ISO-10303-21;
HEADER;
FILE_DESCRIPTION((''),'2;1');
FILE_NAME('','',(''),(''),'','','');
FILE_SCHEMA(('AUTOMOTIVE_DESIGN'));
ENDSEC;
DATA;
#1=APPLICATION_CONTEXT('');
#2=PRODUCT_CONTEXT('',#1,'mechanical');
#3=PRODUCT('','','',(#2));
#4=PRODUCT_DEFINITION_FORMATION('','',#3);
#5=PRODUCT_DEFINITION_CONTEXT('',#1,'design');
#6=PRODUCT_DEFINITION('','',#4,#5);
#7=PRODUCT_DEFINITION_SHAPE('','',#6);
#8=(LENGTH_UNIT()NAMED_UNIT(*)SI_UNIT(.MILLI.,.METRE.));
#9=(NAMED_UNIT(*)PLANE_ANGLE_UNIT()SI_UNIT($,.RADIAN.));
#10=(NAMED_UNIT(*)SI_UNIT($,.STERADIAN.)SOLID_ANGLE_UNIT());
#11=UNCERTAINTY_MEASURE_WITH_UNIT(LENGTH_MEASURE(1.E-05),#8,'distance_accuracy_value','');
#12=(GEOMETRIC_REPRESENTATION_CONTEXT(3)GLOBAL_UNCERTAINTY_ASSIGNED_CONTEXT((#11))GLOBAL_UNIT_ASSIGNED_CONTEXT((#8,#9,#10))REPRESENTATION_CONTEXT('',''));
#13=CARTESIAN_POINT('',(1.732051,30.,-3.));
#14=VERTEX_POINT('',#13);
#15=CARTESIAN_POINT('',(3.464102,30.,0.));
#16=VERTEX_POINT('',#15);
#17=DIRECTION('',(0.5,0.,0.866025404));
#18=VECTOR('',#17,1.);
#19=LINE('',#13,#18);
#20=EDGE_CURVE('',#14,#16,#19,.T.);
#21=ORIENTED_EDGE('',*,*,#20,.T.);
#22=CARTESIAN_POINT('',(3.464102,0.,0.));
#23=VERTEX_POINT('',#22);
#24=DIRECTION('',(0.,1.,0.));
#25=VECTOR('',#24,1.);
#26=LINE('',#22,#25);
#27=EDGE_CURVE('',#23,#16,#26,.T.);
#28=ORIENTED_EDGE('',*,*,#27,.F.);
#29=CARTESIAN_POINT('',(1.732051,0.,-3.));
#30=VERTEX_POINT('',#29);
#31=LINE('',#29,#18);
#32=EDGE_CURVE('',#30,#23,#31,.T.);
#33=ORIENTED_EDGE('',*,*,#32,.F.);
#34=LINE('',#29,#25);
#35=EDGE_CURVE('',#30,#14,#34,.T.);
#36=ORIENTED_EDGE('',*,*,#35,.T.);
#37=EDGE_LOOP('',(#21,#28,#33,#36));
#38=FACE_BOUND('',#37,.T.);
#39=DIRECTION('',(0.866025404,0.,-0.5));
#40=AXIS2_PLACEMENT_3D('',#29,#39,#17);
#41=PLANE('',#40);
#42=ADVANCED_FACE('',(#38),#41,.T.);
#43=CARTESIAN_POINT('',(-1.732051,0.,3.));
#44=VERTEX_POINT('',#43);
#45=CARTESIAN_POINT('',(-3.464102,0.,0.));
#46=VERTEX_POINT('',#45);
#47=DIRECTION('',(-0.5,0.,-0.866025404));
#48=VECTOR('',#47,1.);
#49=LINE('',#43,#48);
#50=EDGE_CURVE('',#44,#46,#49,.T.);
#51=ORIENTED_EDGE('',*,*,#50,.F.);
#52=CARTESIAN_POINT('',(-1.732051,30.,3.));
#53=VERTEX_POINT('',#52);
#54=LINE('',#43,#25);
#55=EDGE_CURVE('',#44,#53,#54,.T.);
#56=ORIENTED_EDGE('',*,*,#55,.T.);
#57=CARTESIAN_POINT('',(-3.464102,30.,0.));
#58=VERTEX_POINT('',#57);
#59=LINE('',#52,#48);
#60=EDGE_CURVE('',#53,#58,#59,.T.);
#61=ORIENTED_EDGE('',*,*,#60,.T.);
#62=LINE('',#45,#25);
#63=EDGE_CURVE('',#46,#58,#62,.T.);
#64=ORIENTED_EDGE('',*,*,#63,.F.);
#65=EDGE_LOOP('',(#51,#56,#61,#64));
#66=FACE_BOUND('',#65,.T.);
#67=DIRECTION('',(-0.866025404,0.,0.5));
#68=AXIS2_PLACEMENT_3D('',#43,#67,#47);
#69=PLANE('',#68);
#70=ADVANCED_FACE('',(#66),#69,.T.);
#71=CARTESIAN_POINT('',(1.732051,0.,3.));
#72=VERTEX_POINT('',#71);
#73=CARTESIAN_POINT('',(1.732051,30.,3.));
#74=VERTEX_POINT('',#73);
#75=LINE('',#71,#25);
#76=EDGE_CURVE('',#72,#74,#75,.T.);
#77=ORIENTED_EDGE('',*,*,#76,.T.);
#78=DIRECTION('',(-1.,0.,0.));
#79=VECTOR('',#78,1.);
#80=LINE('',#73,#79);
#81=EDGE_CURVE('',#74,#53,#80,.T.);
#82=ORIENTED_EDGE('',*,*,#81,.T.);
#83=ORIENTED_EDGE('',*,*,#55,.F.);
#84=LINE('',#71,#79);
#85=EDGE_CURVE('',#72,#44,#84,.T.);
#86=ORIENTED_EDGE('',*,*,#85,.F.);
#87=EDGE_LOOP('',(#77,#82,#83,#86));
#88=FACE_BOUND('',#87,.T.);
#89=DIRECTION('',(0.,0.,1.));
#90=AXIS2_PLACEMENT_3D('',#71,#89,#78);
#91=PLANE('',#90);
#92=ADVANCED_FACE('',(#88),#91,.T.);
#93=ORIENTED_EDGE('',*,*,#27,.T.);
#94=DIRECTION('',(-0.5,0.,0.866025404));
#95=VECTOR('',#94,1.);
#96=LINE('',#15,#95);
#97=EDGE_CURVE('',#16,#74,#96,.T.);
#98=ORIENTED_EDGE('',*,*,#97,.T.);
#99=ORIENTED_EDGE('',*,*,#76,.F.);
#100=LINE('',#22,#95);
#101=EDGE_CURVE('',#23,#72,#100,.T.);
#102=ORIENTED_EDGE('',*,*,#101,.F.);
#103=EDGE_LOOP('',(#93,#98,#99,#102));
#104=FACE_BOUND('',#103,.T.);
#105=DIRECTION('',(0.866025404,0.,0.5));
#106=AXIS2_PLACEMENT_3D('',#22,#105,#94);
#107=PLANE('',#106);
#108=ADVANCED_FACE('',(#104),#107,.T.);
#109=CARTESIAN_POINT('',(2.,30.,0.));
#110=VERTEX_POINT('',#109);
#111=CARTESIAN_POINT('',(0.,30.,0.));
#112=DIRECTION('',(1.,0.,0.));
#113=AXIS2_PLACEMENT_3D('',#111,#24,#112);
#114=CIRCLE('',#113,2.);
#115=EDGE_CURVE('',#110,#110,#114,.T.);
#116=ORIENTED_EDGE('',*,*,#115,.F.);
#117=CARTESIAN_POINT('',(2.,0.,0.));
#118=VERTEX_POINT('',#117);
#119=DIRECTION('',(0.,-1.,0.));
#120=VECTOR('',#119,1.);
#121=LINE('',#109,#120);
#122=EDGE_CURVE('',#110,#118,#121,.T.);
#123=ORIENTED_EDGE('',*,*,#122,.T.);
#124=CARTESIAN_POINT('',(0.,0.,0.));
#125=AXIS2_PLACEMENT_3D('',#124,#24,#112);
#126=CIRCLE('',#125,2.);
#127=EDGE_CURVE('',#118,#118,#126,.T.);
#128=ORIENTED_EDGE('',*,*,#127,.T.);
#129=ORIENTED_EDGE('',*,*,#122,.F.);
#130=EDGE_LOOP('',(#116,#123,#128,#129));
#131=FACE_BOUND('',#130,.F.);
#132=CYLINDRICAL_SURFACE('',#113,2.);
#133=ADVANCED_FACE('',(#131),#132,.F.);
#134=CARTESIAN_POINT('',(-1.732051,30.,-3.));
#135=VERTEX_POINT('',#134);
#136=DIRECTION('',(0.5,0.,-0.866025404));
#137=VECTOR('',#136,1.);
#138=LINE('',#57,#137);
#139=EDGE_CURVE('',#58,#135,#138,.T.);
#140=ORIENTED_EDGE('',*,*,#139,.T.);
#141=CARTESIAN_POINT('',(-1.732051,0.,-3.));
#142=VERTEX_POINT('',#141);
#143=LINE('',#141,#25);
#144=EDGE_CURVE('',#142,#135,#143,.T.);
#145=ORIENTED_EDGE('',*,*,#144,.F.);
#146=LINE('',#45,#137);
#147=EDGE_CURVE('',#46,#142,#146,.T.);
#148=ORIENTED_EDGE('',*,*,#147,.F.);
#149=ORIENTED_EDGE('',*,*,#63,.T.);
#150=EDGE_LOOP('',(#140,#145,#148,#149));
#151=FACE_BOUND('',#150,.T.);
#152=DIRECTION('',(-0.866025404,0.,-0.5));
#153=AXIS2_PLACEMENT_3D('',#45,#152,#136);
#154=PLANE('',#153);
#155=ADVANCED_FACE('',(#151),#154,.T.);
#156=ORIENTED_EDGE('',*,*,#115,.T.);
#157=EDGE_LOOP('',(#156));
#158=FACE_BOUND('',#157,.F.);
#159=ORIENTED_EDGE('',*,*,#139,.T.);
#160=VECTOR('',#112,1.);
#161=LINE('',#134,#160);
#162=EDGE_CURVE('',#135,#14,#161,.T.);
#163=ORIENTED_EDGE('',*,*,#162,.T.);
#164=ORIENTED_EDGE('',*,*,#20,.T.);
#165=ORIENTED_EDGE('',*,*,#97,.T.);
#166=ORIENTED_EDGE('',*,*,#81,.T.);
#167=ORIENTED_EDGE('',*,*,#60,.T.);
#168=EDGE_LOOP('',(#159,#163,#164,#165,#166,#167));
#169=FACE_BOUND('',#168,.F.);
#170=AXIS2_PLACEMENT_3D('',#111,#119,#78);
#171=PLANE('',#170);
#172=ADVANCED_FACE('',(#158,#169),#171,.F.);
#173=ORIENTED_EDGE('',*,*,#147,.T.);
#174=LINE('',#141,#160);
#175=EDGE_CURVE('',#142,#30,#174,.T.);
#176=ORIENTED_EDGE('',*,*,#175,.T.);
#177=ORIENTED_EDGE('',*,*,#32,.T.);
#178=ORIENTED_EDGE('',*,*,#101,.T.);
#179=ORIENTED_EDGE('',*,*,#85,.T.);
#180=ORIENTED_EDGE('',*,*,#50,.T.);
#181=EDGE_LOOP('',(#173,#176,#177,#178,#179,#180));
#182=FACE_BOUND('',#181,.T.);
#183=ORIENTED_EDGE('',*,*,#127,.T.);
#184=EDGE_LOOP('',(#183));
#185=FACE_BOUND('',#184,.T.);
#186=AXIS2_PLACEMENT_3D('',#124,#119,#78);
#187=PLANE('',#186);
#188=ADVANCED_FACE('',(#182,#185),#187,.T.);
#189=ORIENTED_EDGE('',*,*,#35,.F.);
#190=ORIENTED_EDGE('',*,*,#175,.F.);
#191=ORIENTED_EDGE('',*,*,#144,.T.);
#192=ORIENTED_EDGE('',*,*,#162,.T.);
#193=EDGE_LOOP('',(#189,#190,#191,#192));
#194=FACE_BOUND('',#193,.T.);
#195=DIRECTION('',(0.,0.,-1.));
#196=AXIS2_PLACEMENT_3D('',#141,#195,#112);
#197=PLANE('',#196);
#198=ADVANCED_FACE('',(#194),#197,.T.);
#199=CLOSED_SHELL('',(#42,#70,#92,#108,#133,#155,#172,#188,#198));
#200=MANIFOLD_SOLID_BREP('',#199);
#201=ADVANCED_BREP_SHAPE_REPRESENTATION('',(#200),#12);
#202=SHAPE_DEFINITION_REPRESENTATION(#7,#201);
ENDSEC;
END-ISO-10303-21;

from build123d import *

# Parameters (mm, degrees)
EXTRUDE_1_DEPTH                 = 30
CUT_EXTRUDE_1_REACH             = 32
SKETCH_2_R                      = 2
CUT_EXTRUDE_1_DIRECTION_2_DEPTH = 1


with BuildPart() as part:
    # 草图1 → 凸台-拉伸1 (new body)
    with BuildSketch(Plane(origin=(0, 0, 0), x_dir=(1, 0, 0), z_dir=(0, 1, 0))):
        Polygon((-1.732050808, 3), (1.732050808, 3), (3.464101615, 0), (1.732050808, -3), (-1.732050808, -3), (-3.464101615, 0), align=None)
    extrude(amount=EXTRUDE_1_DEPTH)

    # 草图2 → 切除-拉伸1 (cut, up to next)
    with BuildSketch(Plane(origin=(0, 30, 0), x_dir=(1, 0, 0), z_dir=(0, 1, 0)), mode=Mode.PRIVATE) as cut_extrude_1_sk1:
        Circle(SKETCH_2_R)
    cut_extrude_1_tool1 = extrude(cut_extrude_1_sk1.sketch, amount=-CUT_EXTRUDE_1_REACH, mode=Mode.PRIVATE) & part.part
    add(cut_extrude_1_tool1.solids().sort_by_distance((0, 30, 0))[0], mode=Mode.SUBTRACT)

    # 草图2 → 切除-拉伸1 direction 2 (cut)
    with BuildSketch(Plane(origin=(0, 30, 0), x_dir=(1, 0, 0), z_dir=(0, 1, 0))):
        Circle(SKETCH_2_R)
    extrude(amount=CUT_EXTRUDE_1_DIRECTION_2_DEPTH, mode=Mode.SUBTRACT)


solid = part.part
